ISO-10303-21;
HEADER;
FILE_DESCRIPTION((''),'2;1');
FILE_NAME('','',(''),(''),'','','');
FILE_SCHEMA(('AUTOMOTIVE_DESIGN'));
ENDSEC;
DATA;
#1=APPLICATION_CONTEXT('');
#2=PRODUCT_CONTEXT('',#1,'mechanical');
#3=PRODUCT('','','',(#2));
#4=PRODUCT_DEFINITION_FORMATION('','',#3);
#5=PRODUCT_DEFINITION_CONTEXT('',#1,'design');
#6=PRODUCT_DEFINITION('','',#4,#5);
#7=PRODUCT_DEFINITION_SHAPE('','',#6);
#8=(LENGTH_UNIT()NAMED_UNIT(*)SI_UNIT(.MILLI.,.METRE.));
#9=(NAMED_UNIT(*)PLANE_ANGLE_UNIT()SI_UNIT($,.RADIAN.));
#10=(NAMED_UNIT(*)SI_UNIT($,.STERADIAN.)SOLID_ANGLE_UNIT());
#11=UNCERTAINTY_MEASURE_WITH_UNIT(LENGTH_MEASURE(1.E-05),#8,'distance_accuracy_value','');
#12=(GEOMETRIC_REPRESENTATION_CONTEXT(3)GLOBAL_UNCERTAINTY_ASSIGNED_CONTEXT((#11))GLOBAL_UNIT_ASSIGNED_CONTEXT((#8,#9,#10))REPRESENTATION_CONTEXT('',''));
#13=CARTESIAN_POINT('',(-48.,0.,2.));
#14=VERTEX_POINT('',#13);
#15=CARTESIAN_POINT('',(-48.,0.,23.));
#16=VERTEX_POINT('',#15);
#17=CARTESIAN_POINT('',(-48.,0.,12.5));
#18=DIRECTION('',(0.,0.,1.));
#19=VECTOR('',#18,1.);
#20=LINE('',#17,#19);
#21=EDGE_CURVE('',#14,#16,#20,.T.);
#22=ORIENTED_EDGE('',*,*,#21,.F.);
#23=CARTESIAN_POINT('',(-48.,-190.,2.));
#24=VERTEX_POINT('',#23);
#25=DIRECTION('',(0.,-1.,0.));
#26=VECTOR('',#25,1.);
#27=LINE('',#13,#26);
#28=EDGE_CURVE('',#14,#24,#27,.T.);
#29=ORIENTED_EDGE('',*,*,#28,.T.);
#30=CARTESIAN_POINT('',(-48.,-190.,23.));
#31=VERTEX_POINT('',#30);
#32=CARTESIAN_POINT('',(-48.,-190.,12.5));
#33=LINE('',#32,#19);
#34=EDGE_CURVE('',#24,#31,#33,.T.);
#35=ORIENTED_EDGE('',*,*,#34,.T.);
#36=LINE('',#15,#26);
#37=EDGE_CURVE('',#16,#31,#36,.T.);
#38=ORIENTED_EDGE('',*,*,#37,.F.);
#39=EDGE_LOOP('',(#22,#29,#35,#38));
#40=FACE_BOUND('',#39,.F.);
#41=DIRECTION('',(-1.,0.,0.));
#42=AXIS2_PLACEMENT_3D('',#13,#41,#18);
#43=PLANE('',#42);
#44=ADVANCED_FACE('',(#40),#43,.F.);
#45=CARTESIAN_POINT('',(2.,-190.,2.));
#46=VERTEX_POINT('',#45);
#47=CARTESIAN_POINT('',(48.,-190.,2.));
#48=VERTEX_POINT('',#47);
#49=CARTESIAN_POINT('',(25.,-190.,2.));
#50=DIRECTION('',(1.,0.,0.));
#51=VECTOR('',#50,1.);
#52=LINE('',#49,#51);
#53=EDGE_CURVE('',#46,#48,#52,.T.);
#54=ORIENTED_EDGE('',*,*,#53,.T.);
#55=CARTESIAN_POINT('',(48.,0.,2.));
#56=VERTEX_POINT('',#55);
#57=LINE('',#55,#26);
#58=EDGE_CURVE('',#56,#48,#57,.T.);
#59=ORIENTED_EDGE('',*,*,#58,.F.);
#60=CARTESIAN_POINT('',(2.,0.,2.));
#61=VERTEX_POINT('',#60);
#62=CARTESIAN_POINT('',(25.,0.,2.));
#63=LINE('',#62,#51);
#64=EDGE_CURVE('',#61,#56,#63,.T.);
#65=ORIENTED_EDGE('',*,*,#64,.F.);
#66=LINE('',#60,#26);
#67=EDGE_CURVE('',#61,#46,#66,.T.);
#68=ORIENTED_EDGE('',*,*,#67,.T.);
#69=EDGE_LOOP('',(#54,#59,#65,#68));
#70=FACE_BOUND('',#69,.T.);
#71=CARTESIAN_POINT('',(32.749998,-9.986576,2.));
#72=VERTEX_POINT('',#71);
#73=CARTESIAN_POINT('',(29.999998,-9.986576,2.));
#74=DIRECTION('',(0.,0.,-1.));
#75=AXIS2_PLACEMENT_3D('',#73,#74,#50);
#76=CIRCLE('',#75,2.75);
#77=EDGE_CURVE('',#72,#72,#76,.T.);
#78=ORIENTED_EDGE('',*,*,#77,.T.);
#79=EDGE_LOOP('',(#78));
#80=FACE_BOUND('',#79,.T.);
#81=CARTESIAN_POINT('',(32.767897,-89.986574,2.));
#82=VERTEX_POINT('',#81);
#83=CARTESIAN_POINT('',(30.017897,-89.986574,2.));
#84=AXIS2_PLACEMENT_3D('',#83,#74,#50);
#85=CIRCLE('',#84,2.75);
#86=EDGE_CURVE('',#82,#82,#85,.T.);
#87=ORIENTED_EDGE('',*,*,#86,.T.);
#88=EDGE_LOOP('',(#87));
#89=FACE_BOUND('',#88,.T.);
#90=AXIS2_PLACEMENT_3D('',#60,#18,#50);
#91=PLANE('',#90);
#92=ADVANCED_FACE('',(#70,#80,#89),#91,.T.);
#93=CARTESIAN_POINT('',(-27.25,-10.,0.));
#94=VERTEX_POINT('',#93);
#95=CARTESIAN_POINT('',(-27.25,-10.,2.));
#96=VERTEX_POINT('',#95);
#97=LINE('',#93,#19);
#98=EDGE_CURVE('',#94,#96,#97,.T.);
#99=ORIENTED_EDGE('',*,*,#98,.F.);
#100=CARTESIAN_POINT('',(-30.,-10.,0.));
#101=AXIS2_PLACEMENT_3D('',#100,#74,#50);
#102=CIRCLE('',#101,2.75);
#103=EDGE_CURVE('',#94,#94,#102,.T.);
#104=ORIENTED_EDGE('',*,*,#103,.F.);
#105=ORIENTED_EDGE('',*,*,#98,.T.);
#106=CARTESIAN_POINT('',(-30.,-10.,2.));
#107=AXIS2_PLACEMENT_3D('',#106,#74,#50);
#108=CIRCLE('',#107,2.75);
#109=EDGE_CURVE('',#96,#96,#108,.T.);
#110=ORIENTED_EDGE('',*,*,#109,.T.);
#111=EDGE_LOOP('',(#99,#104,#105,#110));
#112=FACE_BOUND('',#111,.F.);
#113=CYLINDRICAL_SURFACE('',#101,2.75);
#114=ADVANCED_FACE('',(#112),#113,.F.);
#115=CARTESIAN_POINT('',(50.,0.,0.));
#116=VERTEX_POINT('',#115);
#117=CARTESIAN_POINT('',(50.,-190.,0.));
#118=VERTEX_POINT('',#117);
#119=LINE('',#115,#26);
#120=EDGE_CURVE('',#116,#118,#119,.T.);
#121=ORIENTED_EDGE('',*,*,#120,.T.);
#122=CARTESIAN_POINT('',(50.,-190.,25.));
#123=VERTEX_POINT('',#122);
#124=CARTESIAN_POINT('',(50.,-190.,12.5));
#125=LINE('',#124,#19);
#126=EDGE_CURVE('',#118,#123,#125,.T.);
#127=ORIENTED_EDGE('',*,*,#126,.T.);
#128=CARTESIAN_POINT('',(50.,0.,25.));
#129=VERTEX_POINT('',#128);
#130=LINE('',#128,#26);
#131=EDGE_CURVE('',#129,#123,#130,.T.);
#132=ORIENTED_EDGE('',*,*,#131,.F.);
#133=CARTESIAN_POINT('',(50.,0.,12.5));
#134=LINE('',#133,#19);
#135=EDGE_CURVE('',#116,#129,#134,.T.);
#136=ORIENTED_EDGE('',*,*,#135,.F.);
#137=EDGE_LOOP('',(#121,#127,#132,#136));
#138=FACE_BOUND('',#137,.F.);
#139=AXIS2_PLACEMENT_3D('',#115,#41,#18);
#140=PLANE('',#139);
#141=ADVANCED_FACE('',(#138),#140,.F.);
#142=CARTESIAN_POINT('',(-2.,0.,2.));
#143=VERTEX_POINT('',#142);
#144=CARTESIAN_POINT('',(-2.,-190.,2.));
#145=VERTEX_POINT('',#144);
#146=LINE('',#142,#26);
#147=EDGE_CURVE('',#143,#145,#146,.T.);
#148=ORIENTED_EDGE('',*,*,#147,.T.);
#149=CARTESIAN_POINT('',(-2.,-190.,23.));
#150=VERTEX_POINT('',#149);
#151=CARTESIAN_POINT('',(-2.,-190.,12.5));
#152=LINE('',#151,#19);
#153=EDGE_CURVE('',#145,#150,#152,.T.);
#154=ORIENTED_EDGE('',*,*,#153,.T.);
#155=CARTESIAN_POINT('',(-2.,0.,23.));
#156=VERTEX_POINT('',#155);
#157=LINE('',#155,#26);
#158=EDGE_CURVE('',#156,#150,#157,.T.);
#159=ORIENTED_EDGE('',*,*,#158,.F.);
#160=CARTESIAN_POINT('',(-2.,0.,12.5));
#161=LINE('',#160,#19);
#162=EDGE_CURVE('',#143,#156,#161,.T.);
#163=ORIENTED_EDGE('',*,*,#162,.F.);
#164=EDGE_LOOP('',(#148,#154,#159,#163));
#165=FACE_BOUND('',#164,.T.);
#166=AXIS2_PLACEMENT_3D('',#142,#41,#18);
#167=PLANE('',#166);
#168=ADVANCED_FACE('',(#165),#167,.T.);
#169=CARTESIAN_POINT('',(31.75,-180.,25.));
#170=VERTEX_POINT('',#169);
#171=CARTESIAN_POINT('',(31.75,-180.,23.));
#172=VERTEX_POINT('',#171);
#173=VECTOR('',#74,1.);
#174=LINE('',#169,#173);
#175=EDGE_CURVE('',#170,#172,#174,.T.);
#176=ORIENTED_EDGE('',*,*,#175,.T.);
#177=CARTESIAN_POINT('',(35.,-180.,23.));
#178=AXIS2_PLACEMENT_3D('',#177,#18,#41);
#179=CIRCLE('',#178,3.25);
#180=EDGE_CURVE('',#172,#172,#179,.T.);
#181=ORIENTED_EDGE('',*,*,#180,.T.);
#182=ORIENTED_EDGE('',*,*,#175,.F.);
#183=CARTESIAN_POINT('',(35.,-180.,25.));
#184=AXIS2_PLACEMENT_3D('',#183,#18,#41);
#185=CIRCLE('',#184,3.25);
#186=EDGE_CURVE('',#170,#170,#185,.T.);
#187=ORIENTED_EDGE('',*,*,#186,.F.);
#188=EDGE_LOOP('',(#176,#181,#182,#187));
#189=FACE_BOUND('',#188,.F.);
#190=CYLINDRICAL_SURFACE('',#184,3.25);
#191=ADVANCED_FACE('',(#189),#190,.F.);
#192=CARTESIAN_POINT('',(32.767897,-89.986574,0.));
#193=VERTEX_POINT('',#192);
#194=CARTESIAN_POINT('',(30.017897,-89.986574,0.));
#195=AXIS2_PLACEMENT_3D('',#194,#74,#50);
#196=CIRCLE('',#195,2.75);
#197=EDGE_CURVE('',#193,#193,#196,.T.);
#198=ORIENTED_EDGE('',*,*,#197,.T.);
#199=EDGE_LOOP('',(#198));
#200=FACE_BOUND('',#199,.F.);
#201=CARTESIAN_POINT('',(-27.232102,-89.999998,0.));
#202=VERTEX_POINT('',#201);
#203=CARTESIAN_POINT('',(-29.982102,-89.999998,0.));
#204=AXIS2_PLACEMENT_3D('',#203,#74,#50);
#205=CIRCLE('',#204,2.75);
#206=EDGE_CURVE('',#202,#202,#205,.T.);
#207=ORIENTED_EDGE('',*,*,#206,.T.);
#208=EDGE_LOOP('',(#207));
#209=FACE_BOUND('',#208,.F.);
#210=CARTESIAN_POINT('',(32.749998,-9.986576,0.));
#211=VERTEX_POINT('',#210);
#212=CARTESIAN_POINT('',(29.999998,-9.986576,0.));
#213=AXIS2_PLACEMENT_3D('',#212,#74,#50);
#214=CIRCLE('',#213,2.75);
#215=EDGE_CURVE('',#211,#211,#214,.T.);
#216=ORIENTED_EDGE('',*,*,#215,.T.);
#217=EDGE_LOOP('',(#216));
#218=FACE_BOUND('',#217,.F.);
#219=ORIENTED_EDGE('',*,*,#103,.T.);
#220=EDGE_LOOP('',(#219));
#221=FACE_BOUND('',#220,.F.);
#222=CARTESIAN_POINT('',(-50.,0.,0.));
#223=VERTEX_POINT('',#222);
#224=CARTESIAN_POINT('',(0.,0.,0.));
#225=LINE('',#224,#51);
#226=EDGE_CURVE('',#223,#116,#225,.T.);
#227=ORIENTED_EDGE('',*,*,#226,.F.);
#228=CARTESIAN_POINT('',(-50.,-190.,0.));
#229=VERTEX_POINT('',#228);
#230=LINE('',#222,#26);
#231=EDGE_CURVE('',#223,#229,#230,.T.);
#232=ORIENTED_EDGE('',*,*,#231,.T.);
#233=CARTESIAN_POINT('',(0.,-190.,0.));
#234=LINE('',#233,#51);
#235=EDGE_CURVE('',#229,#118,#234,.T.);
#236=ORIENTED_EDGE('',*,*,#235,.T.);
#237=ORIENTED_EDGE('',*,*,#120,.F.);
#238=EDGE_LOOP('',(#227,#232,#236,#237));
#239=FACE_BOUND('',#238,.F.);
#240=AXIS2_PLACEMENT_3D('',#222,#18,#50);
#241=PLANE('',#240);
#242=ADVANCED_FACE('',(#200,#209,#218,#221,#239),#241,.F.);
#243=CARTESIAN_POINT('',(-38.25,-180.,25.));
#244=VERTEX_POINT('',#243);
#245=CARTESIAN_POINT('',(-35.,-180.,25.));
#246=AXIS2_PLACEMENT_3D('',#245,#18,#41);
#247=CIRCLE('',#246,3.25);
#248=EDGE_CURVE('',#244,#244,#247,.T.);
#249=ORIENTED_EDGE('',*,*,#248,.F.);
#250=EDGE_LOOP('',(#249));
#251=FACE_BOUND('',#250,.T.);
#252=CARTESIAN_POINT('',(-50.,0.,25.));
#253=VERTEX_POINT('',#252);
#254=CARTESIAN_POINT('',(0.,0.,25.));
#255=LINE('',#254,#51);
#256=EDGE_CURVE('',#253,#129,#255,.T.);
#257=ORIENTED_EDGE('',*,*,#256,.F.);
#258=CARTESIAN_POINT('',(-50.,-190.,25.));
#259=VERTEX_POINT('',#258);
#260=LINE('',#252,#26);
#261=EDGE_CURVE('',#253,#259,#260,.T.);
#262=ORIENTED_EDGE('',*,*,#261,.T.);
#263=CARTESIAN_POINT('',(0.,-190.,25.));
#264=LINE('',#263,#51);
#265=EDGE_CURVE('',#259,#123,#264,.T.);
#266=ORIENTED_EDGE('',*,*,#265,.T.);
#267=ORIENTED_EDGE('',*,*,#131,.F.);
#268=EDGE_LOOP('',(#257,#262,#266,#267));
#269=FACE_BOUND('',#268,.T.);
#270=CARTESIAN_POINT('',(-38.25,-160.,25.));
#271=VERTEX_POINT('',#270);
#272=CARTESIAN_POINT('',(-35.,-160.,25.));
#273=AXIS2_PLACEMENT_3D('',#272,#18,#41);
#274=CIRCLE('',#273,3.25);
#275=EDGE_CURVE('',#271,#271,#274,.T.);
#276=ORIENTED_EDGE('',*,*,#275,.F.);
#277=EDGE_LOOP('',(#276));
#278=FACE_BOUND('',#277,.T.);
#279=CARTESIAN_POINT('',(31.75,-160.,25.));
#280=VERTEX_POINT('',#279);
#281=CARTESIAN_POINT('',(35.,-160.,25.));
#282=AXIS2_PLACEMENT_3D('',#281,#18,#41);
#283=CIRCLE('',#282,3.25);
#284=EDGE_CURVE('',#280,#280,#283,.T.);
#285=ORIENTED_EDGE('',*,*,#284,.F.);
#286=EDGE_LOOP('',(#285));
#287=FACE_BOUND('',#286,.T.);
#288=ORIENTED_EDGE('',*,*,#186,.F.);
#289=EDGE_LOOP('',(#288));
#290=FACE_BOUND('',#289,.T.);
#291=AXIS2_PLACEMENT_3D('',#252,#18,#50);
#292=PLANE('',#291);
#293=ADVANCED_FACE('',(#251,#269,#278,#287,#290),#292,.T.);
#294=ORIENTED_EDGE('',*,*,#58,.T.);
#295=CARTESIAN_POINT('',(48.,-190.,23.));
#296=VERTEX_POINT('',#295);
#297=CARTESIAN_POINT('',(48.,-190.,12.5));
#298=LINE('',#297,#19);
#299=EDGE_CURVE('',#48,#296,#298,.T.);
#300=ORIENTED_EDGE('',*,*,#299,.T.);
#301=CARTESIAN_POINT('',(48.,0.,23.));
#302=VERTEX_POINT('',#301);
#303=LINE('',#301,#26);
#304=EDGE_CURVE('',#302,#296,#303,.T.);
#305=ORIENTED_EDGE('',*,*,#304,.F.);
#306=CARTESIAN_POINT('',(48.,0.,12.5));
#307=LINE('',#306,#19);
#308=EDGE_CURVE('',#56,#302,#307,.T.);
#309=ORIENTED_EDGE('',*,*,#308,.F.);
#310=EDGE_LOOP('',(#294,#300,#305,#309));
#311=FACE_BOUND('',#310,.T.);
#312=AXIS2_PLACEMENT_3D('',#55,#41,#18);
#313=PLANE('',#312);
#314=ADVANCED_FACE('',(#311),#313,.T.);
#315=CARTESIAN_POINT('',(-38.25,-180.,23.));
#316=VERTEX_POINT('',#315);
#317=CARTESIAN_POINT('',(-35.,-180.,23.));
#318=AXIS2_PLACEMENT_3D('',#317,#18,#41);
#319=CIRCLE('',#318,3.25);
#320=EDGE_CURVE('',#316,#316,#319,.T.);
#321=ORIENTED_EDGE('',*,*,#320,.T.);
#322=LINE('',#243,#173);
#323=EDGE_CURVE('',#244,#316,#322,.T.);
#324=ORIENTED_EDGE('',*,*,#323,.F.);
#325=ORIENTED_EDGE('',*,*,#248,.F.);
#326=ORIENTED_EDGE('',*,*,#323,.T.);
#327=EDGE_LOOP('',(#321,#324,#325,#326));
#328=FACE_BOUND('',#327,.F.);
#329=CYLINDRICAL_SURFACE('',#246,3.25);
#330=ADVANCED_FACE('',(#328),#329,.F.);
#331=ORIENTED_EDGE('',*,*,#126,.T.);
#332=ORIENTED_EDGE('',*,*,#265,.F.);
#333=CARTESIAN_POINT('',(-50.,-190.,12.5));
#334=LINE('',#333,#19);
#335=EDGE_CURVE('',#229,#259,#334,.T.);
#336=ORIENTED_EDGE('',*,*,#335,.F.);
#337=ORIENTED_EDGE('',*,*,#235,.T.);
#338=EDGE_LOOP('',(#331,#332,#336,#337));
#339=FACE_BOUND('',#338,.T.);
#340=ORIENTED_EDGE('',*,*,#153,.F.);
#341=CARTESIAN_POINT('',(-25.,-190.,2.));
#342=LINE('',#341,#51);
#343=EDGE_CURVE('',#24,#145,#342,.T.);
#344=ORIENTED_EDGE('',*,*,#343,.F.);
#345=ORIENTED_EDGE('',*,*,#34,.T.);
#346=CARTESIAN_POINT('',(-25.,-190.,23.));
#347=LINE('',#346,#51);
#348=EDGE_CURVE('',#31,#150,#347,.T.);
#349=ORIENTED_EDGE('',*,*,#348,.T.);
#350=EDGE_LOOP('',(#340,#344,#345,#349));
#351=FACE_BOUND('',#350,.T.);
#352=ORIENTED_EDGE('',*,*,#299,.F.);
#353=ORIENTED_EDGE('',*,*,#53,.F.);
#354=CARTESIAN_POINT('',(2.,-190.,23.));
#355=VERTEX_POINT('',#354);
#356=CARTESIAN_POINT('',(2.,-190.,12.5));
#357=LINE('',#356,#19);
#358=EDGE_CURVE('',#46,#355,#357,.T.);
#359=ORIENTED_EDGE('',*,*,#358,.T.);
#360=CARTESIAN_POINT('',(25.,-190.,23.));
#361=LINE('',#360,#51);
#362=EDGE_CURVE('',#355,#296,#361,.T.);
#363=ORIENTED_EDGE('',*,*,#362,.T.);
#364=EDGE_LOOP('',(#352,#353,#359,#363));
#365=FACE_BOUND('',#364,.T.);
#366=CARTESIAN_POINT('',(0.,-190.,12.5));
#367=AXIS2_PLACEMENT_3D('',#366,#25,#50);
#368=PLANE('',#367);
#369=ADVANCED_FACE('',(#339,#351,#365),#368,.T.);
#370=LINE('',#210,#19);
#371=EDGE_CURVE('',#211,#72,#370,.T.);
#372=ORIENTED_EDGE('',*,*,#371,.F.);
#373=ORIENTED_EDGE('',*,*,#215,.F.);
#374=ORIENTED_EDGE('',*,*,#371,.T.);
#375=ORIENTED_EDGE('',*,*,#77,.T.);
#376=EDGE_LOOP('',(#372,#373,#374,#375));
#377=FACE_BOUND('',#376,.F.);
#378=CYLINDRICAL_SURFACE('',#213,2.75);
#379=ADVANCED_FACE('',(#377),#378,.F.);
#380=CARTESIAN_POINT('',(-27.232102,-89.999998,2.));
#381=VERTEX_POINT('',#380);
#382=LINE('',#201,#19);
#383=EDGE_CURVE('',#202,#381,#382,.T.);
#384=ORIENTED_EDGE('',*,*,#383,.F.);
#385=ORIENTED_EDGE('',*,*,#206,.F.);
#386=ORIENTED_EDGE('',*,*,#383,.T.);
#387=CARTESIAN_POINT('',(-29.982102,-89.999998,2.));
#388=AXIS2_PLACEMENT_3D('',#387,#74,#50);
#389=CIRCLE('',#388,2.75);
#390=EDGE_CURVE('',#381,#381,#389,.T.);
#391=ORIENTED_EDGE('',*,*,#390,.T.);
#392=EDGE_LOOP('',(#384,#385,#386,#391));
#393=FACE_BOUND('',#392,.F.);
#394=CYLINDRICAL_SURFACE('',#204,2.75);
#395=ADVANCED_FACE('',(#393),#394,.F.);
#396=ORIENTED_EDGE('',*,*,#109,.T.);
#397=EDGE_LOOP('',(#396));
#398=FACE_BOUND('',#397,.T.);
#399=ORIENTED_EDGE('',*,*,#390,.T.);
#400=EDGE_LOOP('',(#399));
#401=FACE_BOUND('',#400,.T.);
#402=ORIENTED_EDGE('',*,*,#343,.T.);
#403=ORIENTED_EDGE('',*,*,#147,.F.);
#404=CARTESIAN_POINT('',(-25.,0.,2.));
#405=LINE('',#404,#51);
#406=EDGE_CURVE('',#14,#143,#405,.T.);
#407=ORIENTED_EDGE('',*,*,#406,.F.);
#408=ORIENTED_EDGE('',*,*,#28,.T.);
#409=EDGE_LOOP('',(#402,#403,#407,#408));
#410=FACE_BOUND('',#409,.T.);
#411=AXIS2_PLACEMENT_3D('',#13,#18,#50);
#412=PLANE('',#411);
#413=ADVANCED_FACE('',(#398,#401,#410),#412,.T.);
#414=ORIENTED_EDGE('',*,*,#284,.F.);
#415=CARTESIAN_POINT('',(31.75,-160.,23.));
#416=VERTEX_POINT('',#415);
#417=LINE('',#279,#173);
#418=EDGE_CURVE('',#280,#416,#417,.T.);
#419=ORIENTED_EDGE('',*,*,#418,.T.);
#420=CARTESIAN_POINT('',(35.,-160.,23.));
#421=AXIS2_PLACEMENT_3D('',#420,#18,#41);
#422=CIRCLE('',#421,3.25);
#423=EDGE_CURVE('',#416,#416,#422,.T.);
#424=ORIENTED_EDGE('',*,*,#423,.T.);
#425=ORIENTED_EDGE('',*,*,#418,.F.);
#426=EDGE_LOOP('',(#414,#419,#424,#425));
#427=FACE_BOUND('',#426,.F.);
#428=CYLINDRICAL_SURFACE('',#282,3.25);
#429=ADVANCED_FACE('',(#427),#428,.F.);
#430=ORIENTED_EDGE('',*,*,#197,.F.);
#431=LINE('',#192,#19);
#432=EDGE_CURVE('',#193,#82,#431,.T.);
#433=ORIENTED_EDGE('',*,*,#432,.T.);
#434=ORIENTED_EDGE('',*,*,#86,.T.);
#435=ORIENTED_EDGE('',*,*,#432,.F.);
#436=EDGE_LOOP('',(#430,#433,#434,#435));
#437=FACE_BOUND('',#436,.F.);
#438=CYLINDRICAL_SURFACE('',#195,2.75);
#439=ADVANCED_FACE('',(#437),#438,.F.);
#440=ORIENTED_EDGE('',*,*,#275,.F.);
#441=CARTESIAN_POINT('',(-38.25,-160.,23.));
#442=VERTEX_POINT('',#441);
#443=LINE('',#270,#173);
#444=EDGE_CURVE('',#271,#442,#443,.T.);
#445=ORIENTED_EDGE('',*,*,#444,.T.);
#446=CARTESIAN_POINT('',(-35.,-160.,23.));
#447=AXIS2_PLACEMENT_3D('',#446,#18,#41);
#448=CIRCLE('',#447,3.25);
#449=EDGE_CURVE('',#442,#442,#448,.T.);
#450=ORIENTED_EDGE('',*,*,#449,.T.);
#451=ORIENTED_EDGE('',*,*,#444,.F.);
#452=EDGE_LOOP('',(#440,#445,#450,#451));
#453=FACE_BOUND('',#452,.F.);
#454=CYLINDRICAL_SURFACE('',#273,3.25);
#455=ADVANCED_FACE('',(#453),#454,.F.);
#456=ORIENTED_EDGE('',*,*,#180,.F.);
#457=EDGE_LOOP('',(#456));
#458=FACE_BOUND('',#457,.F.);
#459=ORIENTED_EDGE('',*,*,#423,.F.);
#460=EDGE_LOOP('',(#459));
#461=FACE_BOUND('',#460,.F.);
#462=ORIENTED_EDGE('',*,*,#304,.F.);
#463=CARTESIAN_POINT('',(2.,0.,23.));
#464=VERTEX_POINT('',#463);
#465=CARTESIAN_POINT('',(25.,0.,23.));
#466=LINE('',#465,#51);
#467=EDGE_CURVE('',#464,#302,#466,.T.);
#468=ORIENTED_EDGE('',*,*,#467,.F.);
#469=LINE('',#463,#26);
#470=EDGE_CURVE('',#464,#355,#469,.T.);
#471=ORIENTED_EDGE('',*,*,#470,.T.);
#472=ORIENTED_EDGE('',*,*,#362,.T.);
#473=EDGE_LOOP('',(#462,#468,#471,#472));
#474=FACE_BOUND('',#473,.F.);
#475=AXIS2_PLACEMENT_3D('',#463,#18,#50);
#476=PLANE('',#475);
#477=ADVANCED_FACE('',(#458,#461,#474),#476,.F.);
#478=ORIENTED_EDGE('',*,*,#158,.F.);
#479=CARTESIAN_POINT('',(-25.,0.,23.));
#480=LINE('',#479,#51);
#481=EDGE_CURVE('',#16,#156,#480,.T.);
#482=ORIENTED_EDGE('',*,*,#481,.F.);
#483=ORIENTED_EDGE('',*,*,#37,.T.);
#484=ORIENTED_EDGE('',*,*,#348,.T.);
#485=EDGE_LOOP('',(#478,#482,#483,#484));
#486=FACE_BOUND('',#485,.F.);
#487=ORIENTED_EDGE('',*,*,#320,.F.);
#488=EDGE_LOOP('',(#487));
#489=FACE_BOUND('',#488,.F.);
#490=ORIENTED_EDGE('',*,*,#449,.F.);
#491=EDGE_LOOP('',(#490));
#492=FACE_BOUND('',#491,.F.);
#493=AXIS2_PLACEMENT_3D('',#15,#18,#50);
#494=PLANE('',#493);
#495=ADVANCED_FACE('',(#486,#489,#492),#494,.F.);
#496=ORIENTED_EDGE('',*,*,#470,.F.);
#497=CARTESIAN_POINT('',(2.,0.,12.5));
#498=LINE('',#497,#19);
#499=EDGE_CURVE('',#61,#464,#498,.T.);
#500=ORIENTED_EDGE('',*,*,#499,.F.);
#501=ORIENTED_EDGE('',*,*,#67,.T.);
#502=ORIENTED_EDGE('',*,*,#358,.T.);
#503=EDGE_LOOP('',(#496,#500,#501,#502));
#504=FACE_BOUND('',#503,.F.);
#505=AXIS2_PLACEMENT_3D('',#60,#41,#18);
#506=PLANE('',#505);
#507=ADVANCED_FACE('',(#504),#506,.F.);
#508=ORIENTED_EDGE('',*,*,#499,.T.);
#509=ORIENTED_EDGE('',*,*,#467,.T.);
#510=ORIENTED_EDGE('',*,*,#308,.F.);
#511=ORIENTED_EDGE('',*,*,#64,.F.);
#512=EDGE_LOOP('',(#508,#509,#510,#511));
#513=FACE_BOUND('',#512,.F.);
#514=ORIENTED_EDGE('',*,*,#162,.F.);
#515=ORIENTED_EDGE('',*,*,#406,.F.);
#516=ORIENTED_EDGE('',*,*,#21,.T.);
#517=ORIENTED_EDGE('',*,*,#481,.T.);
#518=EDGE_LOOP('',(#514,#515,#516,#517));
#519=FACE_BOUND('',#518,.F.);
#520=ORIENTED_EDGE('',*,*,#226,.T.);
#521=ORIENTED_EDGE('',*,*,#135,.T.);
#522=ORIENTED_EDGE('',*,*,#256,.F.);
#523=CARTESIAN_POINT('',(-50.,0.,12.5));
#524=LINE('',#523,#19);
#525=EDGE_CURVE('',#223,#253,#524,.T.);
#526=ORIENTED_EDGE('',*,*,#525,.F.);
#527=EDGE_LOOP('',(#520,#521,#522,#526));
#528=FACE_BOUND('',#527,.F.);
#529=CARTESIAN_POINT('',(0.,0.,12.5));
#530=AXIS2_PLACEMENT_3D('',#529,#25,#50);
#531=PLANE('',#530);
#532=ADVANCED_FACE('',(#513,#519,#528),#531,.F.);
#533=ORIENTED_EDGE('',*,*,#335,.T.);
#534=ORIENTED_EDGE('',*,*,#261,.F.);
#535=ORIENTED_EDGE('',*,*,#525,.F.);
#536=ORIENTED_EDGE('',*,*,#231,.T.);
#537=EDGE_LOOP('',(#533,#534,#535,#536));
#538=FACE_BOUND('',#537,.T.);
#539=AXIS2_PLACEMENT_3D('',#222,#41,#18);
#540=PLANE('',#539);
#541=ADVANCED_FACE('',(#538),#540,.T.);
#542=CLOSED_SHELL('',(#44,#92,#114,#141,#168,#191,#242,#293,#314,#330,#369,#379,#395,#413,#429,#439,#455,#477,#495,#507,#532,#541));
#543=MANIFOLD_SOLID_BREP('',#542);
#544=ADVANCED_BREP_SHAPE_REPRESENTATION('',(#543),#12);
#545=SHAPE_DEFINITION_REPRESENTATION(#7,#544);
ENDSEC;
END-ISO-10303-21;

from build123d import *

# Parameters (mm, degrees)
SKETCH_W        = 100
SKETCH_H        = 25
SKETCH_W_2      = 46
SKETCH_H_2      = 21
PAD_DEPTH       = 190
SKETCH001_R     = 2.75
POCKET_DEPTH    = 2
SKETCH002_R     = 3.25
POCKET001_DEPTH = 2


with BuildPart() as part:
    # Sketch → Pad (new body)
    with BuildSketch(Plane.XZ):
        with Locations((0, 12.5)):
            Rectangle(SKETCH_W, SKETCH_H)
        with Locations((-25, 12.5)):
            Rectangle(SKETCH_W_2, SKETCH_H_2, mode=Mode.SUBTRACT)
        with Locations((25, 12.5)):
            Rectangle(SKETCH_W_2, SKETCH_H_2, mode=Mode.SUBTRACT)
    extrude(amount=PAD_DEPTH)

    # Sketch001 (on Face3 of Pad) → Pocket (cut)
    with BuildSketch(Plane(origin=(0, 0, 0), x_dir=(1, 0, 0), z_dir=(0, 0, -1))):
        with Locations((-29.982102, 89.999998)):
            Circle(SKETCH001_R)
        with Locations((30.017897, 89.986574)):
            Circle(SKETCH001_R)
        with Locations((-30, 10)):
            Circle(SKETCH001_R)
        with Locations((29.999998, 9.986576)):
            Circle(SKETCH001_R)
    extrude(amount=-POCKET_DEPTH, mode=Mode.SUBTRACT)

    # Sketch002 (on Face1 of Pocket) → Pocket001 (cut)
    with BuildSketch(Plane(origin=(0, 0, 25), x_dir=(-1, 0, 0), z_dir=(0, 0, 1))):
        with Locations((-35, 180)):
            Circle(SKETCH002_R)
        with Locations((35, 180)):
            Circle(SKETCH002_R)
        with Locations((-35, 160)):
            Circle(SKETCH002_R)
        with Locations((35, 160)):
            Circle(SKETCH002_R)
    extrude(amount=-POCKET001_DEPTH, mode=Mode.SUBTRACT)


solid = part.part
